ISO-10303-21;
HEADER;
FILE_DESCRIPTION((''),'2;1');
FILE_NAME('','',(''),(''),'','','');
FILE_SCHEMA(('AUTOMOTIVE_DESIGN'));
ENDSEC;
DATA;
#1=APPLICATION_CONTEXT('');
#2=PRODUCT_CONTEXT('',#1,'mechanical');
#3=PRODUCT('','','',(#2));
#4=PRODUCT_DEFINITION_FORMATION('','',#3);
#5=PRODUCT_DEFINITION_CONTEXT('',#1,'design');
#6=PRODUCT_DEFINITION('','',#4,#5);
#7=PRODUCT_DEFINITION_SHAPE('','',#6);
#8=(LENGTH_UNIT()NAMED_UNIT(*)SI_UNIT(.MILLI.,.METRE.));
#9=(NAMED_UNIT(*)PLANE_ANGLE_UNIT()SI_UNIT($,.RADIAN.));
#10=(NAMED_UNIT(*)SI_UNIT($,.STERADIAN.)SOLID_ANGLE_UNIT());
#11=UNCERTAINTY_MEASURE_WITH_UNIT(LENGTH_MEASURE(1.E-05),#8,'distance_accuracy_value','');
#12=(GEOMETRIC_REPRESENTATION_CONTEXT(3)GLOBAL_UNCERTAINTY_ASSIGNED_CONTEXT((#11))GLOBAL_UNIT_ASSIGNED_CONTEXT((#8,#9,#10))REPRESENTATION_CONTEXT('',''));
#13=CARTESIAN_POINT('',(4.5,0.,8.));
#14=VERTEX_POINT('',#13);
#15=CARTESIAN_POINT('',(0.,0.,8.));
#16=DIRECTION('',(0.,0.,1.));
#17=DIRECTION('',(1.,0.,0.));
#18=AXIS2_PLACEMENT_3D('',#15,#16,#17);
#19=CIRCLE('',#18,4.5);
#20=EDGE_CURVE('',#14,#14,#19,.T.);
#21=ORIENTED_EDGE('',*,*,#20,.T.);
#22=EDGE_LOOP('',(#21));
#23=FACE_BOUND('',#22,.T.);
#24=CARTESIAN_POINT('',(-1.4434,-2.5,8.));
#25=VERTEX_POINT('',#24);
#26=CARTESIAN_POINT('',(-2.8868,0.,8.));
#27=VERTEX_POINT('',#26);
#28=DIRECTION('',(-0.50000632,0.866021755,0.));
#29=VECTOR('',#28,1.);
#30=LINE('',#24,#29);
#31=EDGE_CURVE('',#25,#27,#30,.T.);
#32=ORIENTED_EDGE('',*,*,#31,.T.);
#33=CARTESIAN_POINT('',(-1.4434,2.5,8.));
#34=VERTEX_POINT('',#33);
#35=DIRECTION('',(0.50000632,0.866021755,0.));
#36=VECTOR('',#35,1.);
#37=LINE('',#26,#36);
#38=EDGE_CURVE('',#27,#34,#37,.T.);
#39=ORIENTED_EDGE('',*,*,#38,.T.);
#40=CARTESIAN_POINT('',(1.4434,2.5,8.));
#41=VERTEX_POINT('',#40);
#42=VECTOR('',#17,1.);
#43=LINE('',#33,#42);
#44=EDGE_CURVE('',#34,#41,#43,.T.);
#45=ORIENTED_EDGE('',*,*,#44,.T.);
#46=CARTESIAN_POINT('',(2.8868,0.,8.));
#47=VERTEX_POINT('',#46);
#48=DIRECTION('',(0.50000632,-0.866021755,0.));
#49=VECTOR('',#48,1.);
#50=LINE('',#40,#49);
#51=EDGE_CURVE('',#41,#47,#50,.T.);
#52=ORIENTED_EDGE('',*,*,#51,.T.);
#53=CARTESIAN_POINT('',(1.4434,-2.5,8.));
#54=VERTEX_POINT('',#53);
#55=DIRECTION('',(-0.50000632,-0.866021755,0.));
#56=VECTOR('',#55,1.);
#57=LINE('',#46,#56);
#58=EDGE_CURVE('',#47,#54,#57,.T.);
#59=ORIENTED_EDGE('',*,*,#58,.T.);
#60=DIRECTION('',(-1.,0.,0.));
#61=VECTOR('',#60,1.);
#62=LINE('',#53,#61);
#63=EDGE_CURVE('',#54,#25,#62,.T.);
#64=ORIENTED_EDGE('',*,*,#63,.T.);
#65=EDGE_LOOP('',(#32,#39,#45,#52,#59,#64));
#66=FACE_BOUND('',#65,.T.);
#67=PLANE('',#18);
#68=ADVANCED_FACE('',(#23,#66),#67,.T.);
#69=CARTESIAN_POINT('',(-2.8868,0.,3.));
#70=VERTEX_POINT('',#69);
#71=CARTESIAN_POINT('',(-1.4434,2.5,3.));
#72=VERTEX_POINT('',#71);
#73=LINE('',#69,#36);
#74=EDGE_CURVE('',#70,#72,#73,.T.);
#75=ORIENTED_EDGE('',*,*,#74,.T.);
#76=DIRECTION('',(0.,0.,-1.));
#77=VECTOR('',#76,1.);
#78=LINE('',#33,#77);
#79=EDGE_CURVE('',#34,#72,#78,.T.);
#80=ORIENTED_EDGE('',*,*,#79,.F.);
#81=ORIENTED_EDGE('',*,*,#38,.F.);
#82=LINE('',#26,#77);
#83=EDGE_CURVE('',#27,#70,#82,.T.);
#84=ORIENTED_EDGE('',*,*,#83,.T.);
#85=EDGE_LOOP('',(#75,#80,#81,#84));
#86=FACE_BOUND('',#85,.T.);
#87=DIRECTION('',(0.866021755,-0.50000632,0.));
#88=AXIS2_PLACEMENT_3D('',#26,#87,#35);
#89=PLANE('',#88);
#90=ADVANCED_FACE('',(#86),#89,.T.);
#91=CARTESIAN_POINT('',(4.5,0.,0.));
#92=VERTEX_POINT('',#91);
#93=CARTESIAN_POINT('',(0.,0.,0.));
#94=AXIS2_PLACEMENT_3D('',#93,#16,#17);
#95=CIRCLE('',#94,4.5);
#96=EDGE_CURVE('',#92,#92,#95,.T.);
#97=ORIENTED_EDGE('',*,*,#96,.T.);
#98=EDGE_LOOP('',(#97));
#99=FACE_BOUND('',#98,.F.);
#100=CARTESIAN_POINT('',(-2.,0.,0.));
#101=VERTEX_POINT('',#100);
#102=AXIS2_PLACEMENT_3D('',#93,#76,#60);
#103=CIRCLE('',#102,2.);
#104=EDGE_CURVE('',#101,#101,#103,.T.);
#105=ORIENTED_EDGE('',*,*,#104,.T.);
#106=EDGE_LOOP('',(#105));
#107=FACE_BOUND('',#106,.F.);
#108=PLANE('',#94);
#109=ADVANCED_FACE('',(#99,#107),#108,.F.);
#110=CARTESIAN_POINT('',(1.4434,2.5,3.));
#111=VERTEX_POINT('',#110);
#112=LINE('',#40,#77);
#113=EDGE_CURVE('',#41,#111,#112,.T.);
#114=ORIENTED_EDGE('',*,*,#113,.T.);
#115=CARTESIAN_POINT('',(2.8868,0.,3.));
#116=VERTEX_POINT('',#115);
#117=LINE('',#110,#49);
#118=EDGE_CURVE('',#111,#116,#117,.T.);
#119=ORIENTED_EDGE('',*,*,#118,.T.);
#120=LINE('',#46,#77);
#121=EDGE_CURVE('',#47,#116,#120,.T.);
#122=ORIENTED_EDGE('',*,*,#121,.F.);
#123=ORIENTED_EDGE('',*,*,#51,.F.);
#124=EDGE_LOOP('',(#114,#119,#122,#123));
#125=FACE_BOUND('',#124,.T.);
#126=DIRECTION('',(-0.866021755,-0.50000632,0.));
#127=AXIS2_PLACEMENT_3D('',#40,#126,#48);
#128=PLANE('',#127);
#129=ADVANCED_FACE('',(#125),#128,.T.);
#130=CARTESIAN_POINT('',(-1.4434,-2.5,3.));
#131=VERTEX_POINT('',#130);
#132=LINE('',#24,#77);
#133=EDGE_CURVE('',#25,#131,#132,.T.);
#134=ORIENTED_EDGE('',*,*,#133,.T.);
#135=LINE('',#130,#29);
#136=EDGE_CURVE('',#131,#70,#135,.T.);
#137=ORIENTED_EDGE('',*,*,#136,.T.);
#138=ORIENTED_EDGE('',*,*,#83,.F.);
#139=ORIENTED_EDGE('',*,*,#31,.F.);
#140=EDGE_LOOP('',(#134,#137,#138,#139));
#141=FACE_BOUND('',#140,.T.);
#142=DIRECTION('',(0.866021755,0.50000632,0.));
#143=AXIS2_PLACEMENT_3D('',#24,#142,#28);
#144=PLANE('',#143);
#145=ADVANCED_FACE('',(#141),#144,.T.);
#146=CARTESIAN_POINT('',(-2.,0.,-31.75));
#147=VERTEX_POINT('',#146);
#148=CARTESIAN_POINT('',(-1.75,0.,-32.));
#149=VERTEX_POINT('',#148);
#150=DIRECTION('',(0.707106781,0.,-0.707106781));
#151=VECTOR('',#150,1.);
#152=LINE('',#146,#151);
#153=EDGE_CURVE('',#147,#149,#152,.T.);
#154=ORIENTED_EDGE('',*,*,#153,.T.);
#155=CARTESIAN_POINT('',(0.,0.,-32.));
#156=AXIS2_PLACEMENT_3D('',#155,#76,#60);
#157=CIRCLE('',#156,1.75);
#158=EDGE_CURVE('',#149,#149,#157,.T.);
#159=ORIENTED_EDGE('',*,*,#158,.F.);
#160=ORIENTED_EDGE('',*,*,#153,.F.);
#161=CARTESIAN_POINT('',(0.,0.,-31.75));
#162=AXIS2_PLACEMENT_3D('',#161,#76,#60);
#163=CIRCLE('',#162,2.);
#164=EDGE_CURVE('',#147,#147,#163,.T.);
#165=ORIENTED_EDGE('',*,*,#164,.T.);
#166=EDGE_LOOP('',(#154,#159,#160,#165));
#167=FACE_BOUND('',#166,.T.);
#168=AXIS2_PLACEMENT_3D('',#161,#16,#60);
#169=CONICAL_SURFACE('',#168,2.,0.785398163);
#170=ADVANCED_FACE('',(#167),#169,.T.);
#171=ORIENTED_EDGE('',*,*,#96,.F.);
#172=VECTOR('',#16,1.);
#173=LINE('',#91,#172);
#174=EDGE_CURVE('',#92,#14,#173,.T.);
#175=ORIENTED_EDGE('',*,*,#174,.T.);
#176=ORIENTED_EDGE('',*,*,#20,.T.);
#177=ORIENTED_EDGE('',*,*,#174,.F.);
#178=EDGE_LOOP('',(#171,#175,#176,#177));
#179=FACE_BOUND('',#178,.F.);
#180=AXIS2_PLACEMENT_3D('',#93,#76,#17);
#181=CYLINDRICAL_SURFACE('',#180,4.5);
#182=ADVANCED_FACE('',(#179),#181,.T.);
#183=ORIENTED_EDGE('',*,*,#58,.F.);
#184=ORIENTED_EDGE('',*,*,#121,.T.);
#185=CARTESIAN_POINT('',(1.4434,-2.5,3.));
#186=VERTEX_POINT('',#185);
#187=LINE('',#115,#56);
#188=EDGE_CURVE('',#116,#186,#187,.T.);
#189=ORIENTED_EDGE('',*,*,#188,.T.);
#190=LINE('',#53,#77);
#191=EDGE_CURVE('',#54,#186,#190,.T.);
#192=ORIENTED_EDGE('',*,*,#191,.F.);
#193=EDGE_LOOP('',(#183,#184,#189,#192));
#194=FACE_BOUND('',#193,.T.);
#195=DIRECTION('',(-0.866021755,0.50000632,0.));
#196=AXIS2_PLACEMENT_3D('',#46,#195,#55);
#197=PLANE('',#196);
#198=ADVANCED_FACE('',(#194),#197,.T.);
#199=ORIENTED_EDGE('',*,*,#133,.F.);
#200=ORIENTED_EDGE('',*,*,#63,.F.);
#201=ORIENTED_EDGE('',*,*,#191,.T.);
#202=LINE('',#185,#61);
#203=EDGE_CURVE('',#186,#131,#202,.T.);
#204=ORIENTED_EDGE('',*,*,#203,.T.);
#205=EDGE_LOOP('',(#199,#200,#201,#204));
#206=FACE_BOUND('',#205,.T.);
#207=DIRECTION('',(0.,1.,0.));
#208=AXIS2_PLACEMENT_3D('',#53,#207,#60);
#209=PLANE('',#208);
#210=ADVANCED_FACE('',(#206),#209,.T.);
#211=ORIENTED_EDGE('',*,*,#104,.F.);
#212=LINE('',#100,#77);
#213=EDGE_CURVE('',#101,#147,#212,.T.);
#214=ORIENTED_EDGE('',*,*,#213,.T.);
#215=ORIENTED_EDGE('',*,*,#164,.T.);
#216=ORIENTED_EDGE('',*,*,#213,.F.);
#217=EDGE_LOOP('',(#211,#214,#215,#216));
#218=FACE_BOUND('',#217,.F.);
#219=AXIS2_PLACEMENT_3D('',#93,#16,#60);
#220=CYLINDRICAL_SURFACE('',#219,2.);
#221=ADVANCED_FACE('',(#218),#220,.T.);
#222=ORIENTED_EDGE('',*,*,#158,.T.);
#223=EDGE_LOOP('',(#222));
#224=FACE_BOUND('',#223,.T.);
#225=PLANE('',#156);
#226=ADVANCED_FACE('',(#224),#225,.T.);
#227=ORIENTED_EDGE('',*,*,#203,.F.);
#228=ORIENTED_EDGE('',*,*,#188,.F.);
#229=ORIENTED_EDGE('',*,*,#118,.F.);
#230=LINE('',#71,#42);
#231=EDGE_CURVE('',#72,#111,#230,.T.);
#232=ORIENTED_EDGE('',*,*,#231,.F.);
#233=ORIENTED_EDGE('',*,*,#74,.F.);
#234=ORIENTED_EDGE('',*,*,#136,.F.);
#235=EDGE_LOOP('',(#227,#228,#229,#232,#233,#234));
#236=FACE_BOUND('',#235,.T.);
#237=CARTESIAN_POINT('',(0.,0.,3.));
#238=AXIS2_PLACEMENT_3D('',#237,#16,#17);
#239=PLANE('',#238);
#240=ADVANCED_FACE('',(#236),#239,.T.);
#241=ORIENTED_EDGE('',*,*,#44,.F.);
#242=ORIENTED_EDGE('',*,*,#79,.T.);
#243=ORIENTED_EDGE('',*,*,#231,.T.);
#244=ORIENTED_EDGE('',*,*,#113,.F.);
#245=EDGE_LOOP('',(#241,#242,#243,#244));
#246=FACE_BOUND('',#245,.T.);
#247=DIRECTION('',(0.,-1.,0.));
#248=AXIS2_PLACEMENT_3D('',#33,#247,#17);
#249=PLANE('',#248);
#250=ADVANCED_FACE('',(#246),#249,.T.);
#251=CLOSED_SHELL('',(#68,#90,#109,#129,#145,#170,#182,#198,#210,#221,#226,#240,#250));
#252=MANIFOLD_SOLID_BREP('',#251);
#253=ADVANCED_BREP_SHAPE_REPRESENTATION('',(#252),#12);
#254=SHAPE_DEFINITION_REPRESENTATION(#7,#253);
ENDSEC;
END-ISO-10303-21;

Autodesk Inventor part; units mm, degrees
ref_plane "YZ Plane" through (0, 0, 0) normal (1, 0, 0) x (0, 1, 0)
ref_plane "XZ Plane" through (0, 0, 0) normal (0, 1, 0) x (-1, 0, 0)
ref_plane "XY Plane" through (0, 0, 0) normal (0, 0, 1) x (1, 0, 0)
sketch "草图1" plane through (0, 0, 0) normal (0, 0, 1) x (1, 0, 0)
  circle A0 centre (0, 0) radius 4.5
  dimension "d0" = 9
extrude "拉伸1" add sketch "草图1" along normal blind 8
sketch "草图2" plane through (0, 0, 0) normal (0, 0, -1) x (-1, 0, 0)
  circle A0 centre (0, 0) radius 2
  dimension "d3" = 4
extrude "拉伸2" add sketch "草图2" along normal blind 32
thread "螺纹1" size "M4x0.7" class "6g" standard "ANSI Metric M Profile" full length
chamfer "倒角1" distance 0.25 angle 45 1 edges at (2, 0, -32)
sketch "草图3" plane through (0, 0, 8) normal (0, 0, 1) x (1, 0, 0)
  line L0 (1.4434, -2.5) -> (-1.4434, -2.5)
  line L1 (-1.4434, -2.5) -> (-2.8868, 0)
  line L2 (-2.8868, 0) -> (-1.4434, 2.5)
  line L3 (-1.4434, 2.5) -> (1.4434, 2.5)
  line L4 (1.4434, 2.5) -> (2.8868, 0)
  line L5 (2.8868, 0) -> (1.4434, -2.5)
  line L6 (0, 0) -> (0, -0.6524)
  point P0 (0, 2.5)
  dimension "d11" = 0.6524
  dimension "d12" = 5
extrude "拉伸3" cut sketch "草图3" against normal blind 5
properties part number "载板滚柱挡板螺钉"
